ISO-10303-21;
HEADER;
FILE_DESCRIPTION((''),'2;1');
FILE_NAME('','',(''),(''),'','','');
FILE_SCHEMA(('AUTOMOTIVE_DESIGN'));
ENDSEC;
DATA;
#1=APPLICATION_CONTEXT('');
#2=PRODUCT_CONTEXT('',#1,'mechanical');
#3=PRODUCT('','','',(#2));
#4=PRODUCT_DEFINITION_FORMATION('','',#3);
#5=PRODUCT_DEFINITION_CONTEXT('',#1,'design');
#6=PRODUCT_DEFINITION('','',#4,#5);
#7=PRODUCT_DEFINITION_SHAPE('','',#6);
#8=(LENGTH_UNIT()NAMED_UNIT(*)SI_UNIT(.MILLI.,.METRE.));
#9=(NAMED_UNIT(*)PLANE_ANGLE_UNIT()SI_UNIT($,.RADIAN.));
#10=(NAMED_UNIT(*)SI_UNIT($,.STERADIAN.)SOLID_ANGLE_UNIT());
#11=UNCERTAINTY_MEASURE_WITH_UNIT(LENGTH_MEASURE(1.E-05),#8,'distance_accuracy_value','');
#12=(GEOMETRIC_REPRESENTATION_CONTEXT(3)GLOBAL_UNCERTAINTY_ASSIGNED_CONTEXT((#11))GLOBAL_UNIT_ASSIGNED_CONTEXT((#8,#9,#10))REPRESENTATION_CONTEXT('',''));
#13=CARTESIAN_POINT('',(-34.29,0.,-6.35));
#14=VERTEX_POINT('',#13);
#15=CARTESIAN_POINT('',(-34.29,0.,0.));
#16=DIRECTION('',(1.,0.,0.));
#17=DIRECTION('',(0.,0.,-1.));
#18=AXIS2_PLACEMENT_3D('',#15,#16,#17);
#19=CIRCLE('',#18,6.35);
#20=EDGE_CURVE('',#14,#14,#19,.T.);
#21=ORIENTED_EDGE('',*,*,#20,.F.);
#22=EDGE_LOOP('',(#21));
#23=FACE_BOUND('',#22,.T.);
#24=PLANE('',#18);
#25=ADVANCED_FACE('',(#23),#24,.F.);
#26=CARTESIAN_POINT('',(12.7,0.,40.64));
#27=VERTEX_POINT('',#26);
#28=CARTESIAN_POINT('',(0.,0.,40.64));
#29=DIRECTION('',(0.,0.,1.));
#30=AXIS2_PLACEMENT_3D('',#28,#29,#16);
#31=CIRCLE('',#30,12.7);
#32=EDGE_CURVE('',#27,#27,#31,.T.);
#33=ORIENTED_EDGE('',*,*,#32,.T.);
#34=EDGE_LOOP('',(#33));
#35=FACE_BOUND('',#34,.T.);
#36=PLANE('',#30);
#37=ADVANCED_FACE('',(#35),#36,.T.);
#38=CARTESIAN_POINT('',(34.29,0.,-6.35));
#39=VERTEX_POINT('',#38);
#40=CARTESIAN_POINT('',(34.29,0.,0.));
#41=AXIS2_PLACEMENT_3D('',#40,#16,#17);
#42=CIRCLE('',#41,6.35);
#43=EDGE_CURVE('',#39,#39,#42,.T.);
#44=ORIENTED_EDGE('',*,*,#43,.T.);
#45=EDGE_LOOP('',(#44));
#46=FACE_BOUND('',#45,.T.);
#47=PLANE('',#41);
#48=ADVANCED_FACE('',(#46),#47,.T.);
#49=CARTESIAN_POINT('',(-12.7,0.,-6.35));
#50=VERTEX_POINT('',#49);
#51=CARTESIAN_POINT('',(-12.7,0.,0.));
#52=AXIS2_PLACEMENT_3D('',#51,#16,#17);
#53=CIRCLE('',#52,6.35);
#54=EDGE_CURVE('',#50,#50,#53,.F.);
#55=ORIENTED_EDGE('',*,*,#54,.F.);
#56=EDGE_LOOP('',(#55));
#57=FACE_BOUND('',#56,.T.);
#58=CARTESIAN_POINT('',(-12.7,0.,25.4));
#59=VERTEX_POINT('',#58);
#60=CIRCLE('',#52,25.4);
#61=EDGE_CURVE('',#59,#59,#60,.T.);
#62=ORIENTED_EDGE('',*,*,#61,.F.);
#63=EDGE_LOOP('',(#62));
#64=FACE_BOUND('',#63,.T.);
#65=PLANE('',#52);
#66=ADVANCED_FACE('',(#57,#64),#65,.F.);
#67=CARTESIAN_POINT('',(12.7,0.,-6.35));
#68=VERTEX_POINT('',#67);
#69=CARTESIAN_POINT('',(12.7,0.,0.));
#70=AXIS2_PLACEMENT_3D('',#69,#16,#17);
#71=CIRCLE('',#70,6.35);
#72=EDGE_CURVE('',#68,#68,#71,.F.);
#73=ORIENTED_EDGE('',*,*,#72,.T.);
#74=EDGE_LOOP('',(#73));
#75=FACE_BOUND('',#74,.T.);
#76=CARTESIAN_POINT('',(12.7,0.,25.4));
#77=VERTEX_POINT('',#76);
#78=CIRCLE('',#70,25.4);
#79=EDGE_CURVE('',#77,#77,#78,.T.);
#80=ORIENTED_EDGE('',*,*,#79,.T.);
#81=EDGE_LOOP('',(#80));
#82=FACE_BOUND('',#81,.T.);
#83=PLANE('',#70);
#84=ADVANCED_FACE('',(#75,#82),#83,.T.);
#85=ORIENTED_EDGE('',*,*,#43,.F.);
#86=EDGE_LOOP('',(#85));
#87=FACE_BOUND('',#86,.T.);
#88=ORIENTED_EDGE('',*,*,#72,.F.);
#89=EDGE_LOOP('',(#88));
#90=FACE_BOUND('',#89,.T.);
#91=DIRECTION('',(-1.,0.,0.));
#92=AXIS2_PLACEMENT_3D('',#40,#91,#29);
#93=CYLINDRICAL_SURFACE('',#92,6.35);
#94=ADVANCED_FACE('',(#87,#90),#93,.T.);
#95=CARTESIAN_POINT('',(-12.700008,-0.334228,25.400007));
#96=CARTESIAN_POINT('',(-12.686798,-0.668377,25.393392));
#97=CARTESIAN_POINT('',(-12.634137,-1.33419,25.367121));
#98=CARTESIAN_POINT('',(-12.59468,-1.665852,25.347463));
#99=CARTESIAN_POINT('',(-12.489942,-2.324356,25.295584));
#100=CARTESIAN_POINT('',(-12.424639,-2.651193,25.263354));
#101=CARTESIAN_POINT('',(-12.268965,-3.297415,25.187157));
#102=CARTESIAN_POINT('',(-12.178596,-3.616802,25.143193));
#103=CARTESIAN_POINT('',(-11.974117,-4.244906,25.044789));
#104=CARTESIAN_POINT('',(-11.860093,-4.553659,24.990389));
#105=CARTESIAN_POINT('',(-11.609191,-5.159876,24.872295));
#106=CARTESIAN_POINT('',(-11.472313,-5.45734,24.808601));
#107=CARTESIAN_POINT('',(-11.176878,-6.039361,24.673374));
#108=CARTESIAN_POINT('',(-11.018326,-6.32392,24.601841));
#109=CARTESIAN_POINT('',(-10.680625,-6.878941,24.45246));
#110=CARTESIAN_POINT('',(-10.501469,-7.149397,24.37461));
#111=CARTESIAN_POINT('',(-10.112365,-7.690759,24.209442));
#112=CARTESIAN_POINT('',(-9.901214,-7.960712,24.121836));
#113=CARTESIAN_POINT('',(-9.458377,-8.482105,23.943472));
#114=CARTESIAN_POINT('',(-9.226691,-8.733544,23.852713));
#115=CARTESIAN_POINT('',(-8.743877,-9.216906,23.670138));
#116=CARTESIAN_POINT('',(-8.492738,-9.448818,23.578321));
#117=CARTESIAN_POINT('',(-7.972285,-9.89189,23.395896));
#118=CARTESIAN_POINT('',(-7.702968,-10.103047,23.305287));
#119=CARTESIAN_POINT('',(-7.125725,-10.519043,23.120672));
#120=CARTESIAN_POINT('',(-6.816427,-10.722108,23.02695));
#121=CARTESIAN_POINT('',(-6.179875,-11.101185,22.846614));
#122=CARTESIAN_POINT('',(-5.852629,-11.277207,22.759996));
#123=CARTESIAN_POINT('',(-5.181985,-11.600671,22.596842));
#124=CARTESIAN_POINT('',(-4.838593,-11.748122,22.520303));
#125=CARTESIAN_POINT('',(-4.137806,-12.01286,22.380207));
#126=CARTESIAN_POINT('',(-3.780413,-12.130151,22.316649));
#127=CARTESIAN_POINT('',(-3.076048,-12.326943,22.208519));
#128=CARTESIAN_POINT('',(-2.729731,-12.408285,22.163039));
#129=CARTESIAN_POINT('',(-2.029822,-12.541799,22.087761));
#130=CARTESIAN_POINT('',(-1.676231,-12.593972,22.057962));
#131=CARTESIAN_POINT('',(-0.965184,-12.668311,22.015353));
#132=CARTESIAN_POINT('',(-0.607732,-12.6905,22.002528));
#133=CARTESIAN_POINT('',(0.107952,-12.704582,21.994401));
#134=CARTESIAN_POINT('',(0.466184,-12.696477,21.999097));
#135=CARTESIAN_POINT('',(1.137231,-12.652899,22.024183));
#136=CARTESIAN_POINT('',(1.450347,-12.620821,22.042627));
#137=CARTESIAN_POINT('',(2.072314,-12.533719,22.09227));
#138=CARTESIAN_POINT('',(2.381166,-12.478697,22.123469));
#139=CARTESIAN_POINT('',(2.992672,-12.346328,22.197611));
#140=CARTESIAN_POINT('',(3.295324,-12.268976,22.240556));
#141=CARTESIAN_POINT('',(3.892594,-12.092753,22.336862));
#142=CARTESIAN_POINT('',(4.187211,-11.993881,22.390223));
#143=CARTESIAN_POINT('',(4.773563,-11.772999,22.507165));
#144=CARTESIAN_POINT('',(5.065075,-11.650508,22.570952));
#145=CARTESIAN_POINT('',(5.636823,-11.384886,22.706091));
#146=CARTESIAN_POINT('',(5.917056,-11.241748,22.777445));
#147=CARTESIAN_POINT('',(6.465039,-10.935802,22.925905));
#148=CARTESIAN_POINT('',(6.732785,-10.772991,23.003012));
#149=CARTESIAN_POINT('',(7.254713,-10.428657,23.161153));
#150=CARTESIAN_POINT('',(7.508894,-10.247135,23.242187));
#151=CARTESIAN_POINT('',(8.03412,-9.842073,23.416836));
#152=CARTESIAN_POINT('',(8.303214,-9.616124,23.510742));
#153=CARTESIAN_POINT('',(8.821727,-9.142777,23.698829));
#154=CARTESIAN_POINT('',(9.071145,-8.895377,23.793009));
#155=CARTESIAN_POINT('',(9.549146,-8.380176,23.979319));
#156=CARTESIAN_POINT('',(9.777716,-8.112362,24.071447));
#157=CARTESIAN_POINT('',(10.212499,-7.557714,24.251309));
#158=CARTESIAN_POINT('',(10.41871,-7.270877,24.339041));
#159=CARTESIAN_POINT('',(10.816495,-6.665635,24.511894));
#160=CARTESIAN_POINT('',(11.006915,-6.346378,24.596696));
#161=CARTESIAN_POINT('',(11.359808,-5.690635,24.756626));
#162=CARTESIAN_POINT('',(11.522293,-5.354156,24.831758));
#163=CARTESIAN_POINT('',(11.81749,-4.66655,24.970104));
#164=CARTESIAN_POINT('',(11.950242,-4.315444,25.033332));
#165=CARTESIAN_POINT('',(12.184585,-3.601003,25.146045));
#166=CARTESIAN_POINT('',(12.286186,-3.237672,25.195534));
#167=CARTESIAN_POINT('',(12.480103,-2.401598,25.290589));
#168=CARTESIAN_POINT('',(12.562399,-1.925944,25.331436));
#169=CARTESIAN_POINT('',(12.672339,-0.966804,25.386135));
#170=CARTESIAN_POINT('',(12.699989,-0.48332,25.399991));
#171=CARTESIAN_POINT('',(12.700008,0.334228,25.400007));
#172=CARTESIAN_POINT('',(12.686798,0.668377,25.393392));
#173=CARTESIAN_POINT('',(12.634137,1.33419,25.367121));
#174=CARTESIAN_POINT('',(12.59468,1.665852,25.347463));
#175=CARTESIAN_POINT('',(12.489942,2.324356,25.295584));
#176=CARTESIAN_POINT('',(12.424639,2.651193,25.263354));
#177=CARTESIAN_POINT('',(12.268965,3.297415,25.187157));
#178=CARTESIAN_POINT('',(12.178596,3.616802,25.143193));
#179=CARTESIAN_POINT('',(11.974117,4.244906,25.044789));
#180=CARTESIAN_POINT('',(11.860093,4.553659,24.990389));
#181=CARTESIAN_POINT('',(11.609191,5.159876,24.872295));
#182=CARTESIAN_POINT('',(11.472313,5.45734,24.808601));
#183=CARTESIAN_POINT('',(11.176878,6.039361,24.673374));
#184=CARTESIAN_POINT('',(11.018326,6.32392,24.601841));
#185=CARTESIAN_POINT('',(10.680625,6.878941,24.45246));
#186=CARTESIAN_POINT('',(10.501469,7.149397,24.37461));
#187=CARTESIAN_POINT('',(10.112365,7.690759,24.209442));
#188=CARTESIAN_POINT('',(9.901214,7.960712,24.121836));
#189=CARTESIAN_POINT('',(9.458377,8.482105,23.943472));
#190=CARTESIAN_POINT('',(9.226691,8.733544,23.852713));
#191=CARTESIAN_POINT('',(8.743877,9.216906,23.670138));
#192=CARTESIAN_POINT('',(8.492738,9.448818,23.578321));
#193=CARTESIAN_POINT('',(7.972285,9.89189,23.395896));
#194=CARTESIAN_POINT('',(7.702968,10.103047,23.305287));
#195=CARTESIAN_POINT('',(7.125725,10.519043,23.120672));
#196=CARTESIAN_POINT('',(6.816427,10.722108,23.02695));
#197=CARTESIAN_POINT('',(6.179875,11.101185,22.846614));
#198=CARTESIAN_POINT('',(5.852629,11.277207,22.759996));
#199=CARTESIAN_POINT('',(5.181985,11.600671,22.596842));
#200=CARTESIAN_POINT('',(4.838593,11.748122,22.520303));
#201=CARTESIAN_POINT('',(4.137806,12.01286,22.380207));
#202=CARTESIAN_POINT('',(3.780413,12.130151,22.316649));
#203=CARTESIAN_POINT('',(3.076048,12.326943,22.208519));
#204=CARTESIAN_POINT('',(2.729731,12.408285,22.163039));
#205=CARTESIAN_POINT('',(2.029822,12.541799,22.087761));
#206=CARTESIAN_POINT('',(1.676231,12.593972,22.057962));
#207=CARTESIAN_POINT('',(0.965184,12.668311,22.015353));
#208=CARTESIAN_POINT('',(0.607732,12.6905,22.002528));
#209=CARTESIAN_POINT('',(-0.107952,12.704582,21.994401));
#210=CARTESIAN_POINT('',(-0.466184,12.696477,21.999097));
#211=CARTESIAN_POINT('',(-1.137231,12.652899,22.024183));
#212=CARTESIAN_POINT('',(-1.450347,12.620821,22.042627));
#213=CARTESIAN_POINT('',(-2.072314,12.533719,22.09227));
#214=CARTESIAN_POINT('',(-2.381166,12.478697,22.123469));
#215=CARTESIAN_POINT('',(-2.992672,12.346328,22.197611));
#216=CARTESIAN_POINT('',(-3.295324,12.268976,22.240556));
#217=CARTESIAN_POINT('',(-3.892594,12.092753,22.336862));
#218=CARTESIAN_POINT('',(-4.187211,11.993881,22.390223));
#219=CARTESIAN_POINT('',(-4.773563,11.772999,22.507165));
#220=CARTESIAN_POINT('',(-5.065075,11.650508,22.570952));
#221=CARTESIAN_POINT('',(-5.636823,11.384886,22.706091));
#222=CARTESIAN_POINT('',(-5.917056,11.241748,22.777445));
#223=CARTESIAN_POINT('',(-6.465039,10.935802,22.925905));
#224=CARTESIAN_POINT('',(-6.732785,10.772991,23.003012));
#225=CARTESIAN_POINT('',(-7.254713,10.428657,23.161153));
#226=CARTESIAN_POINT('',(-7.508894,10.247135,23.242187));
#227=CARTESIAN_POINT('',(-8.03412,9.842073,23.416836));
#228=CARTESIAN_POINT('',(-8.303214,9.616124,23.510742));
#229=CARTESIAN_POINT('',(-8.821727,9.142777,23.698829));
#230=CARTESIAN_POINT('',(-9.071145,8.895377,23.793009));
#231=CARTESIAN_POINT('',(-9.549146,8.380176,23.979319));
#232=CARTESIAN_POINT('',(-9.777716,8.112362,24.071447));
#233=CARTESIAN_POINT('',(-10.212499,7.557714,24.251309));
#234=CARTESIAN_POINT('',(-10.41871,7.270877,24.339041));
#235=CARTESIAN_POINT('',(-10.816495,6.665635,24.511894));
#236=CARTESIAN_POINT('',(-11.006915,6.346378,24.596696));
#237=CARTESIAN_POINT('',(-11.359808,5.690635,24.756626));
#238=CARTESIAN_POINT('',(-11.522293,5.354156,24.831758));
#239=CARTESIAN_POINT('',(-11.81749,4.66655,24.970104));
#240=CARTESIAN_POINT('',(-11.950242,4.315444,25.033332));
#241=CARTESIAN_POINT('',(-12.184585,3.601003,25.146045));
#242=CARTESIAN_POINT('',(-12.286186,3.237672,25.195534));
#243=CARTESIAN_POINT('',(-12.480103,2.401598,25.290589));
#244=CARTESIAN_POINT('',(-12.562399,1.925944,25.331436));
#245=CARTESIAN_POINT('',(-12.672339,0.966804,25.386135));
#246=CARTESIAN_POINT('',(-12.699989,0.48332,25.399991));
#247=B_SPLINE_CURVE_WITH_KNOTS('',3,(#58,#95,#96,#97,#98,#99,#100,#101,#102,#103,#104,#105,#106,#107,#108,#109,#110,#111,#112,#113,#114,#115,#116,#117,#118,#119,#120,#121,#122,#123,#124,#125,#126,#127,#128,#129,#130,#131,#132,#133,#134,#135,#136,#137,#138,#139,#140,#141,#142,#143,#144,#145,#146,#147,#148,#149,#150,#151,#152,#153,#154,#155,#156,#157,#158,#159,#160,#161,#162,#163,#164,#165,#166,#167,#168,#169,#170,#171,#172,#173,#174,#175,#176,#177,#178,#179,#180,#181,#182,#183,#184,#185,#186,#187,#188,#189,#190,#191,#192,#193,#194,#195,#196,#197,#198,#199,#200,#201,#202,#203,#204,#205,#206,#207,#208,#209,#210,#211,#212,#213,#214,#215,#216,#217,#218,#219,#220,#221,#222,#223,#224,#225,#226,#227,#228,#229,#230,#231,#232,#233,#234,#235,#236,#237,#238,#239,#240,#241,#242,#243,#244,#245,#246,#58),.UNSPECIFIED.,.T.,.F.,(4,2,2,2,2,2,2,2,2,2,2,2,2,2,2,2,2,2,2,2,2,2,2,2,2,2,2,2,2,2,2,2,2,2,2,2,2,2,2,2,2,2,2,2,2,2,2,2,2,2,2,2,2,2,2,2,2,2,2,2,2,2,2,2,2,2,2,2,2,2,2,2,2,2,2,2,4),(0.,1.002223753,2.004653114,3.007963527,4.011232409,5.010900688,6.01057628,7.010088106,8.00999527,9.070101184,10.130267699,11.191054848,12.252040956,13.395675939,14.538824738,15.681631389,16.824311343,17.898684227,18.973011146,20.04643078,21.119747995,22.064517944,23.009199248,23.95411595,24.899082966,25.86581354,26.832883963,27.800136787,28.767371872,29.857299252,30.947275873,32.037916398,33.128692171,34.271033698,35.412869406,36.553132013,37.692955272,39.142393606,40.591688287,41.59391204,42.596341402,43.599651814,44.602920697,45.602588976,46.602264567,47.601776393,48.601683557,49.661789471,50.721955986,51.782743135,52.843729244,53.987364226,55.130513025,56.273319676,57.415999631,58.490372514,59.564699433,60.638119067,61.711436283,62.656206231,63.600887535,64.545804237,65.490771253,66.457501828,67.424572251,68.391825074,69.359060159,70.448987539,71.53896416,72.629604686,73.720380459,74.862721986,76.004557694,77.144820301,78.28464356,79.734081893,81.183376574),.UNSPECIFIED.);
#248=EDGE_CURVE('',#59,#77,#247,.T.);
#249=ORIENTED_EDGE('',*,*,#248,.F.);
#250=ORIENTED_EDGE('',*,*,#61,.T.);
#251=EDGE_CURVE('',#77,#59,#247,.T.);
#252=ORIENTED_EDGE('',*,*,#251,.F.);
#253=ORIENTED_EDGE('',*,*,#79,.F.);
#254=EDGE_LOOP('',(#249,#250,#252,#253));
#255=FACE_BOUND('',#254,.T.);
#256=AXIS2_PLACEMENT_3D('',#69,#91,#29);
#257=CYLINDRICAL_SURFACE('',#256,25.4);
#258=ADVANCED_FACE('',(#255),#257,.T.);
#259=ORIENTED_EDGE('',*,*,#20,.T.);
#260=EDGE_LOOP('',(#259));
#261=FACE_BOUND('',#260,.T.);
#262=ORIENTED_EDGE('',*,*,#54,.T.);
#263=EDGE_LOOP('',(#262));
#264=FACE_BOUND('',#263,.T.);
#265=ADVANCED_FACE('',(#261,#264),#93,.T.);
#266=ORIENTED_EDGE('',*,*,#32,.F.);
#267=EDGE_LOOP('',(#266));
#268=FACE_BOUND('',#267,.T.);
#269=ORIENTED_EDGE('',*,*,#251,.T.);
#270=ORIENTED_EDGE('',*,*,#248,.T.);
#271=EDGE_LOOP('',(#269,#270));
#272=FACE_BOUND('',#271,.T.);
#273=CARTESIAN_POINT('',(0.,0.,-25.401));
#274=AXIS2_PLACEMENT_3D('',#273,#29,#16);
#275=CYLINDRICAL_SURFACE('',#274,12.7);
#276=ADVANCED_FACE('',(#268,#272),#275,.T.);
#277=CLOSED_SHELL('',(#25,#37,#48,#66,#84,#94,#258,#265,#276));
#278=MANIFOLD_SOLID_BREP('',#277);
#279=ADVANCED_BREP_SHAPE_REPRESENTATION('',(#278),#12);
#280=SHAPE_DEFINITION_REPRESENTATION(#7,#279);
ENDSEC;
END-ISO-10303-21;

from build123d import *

# Parameters (mm, degrees)
CROQUIS1_R                   = 25.4
SALIENTE_EXTRUIR1_DEPTH      = 12.7
SALIENTE_EXTRUIR2_REACH      = 73.887
SALIENTE_EXTRUIR2_END_RADIUS = 25.4
CROQUIS2_R                   = 12.7
CROQUIS6_R                   = 6.35
SALIENTE_EXTRUIR5_DEPTH      = 34.29


with BuildPart() as part:
    # Croquis1 → Saliente-Extruir1 (new, symmetric)
    with BuildSketch(Plane(origin=(0, 0, 0), x_dir=(0, 0, -1), z_dir=(1, 0, 0))):
        Circle(CROQUIS1_R)
    extrude(amount=SALIENTE_EXTRUIR1_DEPTH, both=True)

    # Saliente-Extruir2: up to this cylinder (the profile starts outside it)
    saliente_extruir2_end = Plane(origin=(0, 0, 0), z_dir=(-1, 0, 0)) * Cylinder(SALIENTE_EXTRUIR2_END_RADIUS, 199.574, mode=Mode.PRIVATE)
    # Croquis2 → Saliente-Extruir2 (add, up to the surface)
    with BuildSketch(Plane.XY.offset(40.64), mode=Mode.PRIVATE) as saliente_extruir2_sk1:
        Circle(CROQUIS2_R)
    saliente_extruir2_tool1 = extrude(saliente_extruir2_sk1.sketch, amount=-SALIENTE_EXTRUIR2_REACH, mode=Mode.PRIVATE) - saliente_extruir2_end
    add(saliente_extruir2_tool1.solids().sort_by_distance((0, 0, 40.64))[0])

    # Croquis6 → Saliente-Extruir5 (add, symmetric)
    with BuildSketch(Plane(origin=(0, 0, 0), x_dir=(0, 0, -1), z_dir=(1, 0, 0))):
        Circle(CROQUIS6_R)
    extrude(amount=SALIENTE_EXTRUIR5_DEPTH, both=True)


solid = part.part
